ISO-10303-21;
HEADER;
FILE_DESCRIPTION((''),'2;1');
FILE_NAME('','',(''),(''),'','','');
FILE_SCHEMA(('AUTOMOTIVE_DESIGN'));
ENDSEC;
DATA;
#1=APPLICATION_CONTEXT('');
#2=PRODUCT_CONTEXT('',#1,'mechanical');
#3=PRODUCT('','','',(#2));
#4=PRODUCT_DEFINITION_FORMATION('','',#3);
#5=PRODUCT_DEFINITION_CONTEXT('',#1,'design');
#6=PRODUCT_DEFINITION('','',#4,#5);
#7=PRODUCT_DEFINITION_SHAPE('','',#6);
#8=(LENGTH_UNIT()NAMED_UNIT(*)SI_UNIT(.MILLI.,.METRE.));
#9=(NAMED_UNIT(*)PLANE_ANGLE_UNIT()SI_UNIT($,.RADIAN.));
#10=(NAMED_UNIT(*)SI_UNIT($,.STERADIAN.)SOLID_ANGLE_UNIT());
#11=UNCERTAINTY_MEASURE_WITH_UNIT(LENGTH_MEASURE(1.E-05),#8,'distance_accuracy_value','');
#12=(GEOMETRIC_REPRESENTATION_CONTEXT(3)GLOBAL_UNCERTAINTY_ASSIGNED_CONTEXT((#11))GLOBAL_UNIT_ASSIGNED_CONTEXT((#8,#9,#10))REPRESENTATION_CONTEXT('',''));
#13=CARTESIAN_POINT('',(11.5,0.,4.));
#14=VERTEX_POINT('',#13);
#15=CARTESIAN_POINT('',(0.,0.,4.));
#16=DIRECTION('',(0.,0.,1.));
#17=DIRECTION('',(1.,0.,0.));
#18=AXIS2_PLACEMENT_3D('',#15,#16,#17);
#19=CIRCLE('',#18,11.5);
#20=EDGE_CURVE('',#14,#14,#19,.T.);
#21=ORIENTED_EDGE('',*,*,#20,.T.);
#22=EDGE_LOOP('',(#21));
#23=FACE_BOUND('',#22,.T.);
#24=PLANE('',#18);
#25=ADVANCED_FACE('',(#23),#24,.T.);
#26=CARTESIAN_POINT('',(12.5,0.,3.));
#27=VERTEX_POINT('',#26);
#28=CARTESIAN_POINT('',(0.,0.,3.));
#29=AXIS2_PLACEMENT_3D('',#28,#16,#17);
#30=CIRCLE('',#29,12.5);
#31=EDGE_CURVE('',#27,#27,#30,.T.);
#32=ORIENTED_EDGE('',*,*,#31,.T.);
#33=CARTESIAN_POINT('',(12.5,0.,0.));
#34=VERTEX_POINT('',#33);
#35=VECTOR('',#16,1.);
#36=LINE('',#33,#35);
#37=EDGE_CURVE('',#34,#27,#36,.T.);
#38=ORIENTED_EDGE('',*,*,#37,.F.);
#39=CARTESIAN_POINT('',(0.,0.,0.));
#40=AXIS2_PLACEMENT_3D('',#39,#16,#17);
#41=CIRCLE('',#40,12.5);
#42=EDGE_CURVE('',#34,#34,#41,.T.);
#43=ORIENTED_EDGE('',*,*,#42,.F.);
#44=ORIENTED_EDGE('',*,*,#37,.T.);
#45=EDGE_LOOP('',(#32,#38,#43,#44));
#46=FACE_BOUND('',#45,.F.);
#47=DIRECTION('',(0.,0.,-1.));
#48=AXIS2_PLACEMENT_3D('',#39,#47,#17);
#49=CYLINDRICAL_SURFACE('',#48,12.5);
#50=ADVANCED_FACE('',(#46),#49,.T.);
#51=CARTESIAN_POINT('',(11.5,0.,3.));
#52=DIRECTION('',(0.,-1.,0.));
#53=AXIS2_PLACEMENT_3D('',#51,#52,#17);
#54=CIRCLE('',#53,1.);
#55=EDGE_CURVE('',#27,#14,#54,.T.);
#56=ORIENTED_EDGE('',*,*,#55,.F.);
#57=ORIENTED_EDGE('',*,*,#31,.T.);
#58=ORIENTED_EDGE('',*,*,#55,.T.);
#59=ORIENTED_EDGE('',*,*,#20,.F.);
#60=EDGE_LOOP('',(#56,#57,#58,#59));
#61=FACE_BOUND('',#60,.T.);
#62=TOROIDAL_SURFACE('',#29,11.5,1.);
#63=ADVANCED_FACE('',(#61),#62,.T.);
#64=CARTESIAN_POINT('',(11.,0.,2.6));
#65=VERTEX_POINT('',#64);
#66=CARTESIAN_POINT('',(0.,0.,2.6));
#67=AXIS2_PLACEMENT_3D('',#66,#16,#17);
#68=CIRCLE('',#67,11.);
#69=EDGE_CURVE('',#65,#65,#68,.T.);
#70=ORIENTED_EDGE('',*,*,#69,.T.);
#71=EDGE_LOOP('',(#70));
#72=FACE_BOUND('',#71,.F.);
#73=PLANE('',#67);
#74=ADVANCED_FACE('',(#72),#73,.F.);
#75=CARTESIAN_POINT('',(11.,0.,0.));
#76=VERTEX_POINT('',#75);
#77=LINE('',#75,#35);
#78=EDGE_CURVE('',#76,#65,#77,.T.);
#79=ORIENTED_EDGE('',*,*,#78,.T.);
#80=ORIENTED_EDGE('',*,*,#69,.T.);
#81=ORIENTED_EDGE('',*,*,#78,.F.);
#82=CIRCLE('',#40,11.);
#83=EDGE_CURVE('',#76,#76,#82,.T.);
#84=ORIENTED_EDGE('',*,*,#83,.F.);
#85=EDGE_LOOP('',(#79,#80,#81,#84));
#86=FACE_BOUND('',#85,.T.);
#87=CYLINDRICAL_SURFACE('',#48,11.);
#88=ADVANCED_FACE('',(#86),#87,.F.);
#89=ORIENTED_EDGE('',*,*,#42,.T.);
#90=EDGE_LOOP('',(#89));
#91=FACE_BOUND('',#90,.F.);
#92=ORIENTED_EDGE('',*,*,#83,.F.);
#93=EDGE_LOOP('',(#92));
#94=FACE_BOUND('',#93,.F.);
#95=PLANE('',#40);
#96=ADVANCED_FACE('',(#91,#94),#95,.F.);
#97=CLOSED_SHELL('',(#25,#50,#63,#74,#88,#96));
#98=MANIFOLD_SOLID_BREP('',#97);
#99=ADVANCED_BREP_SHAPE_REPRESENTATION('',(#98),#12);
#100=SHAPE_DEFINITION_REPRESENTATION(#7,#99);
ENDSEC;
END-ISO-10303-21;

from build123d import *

# Parameters (mm, degrees)
F0_R     = 12.5
F0_R_2   = 11
F1_DEPTH = 4
F2_DEPTH = 2.6
F3_R     = 1


with BuildPart() as f1:
    # F0 (on Top) → F1 (new body)
    with BuildSketch(Plane.XY):
        Circle(F0_R)
        Circle(F0_R_2, mode=Mode.SUBTRACT)
        Circle(F0_R_2)
    extrude(amount=F1_DEPTH)

    # F0 (on Top) → F2 (cut)
    with BuildSketch(Plane.XY):
        Circle(F0_R_2)
    extrude(amount=F2_DEPTH, mode=Mode.SUBTRACT)

    # F3
    f3_edges = [f1.edges().sort_by_distance(p)[0] for p in [
        (-12.5, 0, 4),
    ]]
    fillet(f3_edges, radius=F3_R)


solid = f1.part
